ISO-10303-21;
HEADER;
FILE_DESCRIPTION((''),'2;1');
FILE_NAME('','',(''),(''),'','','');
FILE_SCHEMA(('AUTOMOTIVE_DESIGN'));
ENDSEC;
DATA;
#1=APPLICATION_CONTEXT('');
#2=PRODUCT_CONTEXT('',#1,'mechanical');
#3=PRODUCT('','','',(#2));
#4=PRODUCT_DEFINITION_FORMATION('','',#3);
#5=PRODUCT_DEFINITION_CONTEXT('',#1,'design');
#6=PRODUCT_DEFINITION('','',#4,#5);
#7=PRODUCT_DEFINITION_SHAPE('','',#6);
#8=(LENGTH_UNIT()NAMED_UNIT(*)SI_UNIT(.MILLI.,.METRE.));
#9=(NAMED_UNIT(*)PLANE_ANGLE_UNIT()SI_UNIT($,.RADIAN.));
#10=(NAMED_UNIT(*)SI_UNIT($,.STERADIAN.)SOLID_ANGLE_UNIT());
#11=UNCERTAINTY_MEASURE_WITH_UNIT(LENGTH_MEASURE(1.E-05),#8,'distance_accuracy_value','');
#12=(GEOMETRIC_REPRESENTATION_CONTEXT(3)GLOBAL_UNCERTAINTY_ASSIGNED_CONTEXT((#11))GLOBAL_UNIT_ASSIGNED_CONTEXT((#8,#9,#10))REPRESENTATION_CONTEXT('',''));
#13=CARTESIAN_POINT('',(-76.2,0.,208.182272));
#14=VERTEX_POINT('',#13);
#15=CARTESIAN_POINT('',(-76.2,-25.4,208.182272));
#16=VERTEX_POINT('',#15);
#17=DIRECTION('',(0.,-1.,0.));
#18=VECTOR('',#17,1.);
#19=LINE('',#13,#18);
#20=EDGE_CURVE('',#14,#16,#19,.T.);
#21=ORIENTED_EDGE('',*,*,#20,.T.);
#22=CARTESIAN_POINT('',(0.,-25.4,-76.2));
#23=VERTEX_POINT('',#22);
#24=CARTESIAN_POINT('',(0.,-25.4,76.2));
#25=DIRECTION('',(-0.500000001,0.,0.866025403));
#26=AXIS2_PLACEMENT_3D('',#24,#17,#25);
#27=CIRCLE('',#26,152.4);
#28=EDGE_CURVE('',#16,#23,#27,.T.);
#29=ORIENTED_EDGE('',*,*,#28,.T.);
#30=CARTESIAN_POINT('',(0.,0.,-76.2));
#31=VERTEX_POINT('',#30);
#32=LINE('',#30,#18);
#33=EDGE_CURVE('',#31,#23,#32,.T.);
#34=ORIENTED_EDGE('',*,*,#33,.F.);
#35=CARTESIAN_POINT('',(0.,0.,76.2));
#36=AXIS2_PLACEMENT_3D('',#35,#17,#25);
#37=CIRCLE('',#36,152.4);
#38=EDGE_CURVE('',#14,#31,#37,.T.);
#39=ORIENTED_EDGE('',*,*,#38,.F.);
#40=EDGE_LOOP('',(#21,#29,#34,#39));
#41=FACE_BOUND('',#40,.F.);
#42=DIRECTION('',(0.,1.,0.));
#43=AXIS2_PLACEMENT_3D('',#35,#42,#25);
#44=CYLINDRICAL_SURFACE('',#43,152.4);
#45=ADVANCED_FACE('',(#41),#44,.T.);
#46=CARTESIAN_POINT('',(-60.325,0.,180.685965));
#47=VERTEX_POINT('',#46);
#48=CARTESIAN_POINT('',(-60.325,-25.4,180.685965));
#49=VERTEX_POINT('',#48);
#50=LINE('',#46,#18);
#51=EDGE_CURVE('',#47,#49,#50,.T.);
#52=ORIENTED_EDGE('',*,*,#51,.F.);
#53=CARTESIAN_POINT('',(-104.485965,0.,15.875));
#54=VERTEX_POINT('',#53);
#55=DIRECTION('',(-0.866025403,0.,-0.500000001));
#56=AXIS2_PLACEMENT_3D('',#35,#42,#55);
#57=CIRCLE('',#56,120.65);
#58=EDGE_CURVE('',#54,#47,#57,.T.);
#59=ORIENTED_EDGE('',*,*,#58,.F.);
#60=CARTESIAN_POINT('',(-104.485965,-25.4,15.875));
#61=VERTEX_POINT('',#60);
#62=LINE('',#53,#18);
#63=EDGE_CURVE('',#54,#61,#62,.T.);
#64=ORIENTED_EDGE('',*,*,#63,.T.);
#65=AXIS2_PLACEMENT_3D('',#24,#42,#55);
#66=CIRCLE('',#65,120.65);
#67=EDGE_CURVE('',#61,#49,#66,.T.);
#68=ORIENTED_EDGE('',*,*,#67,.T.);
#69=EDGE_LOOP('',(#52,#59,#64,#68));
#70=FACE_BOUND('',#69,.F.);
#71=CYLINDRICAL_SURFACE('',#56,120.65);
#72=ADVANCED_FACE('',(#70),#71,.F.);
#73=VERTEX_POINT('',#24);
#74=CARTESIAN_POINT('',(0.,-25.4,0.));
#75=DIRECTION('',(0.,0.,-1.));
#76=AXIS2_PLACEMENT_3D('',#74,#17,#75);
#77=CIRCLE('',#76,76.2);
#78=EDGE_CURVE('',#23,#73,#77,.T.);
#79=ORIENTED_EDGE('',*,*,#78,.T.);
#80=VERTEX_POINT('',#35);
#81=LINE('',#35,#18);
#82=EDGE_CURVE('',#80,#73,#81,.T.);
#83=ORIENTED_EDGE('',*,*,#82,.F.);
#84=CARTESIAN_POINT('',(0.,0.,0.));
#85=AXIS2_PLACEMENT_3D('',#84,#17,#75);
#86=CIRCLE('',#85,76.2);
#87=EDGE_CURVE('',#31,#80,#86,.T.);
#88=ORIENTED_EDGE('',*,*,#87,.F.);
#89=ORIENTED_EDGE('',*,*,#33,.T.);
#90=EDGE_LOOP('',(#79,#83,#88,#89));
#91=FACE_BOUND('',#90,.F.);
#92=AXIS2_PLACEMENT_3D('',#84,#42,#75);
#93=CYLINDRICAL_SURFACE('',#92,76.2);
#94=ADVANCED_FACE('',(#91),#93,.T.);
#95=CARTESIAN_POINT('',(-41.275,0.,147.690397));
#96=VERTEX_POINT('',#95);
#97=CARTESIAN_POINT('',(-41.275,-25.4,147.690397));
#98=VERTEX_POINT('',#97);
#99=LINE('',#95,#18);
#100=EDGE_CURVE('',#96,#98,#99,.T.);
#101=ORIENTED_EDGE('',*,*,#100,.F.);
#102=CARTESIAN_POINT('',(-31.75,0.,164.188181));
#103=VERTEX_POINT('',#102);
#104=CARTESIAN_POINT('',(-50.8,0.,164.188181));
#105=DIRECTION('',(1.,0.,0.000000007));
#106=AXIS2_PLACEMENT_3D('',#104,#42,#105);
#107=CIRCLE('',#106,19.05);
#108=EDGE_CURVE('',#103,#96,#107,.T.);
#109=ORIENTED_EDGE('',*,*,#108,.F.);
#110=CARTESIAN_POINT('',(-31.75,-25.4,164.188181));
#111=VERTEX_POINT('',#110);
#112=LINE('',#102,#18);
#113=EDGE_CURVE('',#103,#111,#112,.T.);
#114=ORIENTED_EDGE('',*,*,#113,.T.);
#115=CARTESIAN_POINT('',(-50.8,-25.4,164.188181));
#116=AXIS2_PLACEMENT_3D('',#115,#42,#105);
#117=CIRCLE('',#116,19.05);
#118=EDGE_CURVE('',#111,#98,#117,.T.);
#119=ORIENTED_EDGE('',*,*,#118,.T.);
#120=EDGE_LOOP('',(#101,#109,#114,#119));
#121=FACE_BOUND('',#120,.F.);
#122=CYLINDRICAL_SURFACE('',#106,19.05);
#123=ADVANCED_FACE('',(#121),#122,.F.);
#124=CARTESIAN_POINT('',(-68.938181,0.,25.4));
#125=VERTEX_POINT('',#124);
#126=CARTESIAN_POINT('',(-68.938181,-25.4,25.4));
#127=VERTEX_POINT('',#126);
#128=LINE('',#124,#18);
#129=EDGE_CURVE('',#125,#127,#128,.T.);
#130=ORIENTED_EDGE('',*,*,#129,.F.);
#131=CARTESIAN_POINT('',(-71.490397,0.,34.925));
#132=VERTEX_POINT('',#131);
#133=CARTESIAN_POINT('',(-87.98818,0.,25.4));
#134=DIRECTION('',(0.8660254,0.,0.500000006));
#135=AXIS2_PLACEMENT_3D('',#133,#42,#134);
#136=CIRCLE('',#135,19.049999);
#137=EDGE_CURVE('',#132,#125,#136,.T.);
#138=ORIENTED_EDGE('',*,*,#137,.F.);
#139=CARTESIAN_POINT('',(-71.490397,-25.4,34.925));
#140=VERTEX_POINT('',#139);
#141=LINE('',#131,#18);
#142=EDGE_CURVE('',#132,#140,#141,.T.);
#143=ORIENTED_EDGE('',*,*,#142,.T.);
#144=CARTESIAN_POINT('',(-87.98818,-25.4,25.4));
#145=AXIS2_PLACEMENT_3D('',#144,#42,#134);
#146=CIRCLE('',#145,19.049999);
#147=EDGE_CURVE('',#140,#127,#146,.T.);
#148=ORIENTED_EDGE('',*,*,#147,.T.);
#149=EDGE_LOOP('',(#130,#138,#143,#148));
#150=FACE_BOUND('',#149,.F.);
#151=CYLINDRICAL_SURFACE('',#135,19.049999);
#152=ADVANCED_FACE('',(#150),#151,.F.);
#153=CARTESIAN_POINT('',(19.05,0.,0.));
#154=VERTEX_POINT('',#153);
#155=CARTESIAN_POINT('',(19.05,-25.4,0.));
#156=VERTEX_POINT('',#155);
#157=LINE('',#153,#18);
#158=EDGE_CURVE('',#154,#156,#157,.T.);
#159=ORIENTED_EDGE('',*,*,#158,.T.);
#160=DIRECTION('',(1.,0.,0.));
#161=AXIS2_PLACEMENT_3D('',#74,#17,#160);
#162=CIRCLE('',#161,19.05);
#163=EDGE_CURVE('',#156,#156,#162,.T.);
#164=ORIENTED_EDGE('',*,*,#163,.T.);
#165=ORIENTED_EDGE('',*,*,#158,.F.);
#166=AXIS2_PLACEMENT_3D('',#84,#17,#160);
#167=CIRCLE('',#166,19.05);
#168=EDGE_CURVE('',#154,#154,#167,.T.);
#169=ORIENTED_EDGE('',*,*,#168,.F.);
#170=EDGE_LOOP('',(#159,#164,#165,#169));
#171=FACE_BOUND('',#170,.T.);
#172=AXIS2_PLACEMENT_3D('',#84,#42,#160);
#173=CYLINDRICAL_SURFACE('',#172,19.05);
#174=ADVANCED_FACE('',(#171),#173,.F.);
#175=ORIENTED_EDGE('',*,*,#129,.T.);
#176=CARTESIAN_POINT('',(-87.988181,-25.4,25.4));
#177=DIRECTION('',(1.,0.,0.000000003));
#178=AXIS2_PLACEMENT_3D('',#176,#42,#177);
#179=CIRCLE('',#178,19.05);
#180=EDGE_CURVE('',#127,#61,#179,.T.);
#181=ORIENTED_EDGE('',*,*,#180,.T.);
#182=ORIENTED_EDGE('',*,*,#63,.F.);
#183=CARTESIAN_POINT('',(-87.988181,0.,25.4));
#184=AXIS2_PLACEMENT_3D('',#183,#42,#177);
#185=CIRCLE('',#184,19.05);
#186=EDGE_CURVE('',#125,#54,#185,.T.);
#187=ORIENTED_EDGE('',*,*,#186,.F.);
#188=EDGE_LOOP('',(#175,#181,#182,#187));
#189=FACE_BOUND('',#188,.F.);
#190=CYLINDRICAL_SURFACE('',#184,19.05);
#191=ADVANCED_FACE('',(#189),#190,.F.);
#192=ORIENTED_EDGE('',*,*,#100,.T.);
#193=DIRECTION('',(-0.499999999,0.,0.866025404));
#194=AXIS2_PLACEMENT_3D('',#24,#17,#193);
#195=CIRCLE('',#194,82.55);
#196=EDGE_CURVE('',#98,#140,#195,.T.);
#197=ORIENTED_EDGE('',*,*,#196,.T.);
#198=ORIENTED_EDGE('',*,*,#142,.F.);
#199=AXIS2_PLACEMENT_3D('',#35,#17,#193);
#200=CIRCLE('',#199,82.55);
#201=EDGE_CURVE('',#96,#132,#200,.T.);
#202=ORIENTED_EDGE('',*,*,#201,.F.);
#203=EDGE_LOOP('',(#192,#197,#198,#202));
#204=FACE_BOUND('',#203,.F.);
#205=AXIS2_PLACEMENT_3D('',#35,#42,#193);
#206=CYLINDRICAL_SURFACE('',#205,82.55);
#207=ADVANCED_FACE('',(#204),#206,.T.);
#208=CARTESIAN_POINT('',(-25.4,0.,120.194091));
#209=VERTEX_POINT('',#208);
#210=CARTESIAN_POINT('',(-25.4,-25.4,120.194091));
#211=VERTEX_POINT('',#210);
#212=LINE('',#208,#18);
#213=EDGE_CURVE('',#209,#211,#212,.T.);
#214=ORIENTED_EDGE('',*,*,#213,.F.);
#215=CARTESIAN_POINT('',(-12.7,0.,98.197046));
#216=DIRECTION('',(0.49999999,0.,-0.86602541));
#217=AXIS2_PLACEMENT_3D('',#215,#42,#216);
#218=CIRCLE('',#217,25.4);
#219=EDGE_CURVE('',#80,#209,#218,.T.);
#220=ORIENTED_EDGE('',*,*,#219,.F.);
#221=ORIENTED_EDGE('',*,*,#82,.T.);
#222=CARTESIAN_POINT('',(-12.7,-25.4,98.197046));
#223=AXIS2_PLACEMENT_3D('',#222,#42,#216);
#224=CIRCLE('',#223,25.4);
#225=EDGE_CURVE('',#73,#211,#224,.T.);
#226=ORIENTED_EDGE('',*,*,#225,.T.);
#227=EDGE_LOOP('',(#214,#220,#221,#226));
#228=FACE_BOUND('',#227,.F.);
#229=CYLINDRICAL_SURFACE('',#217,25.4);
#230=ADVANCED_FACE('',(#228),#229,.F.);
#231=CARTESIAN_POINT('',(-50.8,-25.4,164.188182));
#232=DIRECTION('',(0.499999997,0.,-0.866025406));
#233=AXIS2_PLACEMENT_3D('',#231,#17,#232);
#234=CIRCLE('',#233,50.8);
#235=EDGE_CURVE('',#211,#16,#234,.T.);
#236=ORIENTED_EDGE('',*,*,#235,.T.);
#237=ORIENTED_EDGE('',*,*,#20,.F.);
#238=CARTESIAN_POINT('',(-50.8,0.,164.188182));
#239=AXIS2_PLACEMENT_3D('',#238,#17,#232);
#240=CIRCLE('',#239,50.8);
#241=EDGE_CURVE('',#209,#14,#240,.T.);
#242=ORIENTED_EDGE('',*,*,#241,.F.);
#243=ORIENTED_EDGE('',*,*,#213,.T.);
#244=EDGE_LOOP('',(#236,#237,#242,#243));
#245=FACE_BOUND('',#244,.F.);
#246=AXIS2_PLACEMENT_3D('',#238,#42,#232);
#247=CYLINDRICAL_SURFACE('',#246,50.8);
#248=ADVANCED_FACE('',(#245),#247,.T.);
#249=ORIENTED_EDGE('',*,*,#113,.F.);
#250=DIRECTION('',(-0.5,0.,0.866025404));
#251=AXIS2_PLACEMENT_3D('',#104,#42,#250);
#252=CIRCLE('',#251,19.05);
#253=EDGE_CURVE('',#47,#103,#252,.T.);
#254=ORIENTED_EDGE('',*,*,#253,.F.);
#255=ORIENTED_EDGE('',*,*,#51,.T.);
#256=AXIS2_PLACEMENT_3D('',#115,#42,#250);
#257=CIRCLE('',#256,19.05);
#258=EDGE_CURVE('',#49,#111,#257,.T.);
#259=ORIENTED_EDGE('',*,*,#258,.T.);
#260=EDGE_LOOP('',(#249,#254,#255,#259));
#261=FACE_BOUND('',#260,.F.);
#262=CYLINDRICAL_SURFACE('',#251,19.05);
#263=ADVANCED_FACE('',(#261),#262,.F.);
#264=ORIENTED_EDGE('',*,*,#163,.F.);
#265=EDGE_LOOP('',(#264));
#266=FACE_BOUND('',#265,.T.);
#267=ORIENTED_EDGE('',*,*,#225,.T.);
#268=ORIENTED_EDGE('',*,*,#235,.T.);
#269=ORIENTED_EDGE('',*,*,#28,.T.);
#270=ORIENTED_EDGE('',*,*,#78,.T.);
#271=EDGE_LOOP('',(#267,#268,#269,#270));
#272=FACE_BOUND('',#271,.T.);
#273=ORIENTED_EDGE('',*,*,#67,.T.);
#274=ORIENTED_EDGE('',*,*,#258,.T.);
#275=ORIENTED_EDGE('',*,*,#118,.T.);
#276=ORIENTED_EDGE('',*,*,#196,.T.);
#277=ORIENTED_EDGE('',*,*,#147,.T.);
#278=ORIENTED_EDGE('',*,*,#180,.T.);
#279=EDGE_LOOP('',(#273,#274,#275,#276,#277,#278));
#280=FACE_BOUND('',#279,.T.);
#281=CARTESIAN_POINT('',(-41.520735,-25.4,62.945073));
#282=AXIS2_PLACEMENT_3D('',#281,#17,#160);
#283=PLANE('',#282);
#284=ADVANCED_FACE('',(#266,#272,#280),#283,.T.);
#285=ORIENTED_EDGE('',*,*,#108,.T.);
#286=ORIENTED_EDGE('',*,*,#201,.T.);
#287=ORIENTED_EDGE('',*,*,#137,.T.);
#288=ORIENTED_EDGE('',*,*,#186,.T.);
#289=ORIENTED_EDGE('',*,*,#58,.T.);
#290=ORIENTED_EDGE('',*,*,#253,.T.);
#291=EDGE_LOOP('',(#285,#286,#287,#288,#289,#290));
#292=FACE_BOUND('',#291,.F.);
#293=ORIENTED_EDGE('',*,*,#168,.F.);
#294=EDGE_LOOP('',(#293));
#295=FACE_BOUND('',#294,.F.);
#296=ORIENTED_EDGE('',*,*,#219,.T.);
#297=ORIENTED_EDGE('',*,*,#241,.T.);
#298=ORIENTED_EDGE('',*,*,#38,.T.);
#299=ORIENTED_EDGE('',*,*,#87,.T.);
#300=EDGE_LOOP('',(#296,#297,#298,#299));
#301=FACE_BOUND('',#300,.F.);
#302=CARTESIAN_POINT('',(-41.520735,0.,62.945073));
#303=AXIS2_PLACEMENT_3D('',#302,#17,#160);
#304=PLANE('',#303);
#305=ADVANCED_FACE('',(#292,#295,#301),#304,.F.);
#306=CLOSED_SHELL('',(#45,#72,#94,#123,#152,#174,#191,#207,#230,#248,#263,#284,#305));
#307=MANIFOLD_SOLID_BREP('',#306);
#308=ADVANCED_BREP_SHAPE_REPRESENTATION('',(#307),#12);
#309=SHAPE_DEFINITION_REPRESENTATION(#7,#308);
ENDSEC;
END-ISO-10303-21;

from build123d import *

# Parameters (mm, degrees)
F0_R     = 19.05
F1_DEPTH = 25.4


with BuildPart() as f1:
    # F0 (on Front) → F1 (new body)
    with BuildSketch(Plane.XZ):
        with BuildLine():
            ThreePointArc((-76.2, 208.182272), (-147.207096, 36.755978), (0, -76.2))
            ThreePointArc((0, -76.2), (76.2, 0), (0, 76.2))
            ThreePointArc((0, 76.2), (-34.697045, 85.497045), (-25.4, 120.194091))
            ThreePointArc((-25.4, 120.194091), (-6.805909, 189.588181), (-76.2, 208.182272))
        make_face()
        Circle(F0_R, mode=Mode.SUBTRACT)
        with BuildLine():
            ThreePointArc((-60.325, 180.685965), (-41.275, 180.685965), (-31.75, 164.188181))
            ThreePointArc((-31.75, 164.188181), (-34.302216, 154.663181), (-41.275, 147.690397))
            ThreePointArc((-41.275, 147.690397), (-79.737177, 97.565512), (-71.490397, 34.925))
            ThreePointArc((-71.490397, 34.925), (-69.587294, 30.330503), (-68.938181, 25.4))
            ThreePointArc((-68.938181, 25.4), (-83.057678, 6.999113), (-104.485965, 15.875))
            ThreePointArc((-104.485965, 15.875), (-116.538951, 107.426518), (-60.325, 180.685965))
        make_face(mode=Mode.SUBTRACT)
    extrude(amount=F1_DEPTH)


solid = f1.part
